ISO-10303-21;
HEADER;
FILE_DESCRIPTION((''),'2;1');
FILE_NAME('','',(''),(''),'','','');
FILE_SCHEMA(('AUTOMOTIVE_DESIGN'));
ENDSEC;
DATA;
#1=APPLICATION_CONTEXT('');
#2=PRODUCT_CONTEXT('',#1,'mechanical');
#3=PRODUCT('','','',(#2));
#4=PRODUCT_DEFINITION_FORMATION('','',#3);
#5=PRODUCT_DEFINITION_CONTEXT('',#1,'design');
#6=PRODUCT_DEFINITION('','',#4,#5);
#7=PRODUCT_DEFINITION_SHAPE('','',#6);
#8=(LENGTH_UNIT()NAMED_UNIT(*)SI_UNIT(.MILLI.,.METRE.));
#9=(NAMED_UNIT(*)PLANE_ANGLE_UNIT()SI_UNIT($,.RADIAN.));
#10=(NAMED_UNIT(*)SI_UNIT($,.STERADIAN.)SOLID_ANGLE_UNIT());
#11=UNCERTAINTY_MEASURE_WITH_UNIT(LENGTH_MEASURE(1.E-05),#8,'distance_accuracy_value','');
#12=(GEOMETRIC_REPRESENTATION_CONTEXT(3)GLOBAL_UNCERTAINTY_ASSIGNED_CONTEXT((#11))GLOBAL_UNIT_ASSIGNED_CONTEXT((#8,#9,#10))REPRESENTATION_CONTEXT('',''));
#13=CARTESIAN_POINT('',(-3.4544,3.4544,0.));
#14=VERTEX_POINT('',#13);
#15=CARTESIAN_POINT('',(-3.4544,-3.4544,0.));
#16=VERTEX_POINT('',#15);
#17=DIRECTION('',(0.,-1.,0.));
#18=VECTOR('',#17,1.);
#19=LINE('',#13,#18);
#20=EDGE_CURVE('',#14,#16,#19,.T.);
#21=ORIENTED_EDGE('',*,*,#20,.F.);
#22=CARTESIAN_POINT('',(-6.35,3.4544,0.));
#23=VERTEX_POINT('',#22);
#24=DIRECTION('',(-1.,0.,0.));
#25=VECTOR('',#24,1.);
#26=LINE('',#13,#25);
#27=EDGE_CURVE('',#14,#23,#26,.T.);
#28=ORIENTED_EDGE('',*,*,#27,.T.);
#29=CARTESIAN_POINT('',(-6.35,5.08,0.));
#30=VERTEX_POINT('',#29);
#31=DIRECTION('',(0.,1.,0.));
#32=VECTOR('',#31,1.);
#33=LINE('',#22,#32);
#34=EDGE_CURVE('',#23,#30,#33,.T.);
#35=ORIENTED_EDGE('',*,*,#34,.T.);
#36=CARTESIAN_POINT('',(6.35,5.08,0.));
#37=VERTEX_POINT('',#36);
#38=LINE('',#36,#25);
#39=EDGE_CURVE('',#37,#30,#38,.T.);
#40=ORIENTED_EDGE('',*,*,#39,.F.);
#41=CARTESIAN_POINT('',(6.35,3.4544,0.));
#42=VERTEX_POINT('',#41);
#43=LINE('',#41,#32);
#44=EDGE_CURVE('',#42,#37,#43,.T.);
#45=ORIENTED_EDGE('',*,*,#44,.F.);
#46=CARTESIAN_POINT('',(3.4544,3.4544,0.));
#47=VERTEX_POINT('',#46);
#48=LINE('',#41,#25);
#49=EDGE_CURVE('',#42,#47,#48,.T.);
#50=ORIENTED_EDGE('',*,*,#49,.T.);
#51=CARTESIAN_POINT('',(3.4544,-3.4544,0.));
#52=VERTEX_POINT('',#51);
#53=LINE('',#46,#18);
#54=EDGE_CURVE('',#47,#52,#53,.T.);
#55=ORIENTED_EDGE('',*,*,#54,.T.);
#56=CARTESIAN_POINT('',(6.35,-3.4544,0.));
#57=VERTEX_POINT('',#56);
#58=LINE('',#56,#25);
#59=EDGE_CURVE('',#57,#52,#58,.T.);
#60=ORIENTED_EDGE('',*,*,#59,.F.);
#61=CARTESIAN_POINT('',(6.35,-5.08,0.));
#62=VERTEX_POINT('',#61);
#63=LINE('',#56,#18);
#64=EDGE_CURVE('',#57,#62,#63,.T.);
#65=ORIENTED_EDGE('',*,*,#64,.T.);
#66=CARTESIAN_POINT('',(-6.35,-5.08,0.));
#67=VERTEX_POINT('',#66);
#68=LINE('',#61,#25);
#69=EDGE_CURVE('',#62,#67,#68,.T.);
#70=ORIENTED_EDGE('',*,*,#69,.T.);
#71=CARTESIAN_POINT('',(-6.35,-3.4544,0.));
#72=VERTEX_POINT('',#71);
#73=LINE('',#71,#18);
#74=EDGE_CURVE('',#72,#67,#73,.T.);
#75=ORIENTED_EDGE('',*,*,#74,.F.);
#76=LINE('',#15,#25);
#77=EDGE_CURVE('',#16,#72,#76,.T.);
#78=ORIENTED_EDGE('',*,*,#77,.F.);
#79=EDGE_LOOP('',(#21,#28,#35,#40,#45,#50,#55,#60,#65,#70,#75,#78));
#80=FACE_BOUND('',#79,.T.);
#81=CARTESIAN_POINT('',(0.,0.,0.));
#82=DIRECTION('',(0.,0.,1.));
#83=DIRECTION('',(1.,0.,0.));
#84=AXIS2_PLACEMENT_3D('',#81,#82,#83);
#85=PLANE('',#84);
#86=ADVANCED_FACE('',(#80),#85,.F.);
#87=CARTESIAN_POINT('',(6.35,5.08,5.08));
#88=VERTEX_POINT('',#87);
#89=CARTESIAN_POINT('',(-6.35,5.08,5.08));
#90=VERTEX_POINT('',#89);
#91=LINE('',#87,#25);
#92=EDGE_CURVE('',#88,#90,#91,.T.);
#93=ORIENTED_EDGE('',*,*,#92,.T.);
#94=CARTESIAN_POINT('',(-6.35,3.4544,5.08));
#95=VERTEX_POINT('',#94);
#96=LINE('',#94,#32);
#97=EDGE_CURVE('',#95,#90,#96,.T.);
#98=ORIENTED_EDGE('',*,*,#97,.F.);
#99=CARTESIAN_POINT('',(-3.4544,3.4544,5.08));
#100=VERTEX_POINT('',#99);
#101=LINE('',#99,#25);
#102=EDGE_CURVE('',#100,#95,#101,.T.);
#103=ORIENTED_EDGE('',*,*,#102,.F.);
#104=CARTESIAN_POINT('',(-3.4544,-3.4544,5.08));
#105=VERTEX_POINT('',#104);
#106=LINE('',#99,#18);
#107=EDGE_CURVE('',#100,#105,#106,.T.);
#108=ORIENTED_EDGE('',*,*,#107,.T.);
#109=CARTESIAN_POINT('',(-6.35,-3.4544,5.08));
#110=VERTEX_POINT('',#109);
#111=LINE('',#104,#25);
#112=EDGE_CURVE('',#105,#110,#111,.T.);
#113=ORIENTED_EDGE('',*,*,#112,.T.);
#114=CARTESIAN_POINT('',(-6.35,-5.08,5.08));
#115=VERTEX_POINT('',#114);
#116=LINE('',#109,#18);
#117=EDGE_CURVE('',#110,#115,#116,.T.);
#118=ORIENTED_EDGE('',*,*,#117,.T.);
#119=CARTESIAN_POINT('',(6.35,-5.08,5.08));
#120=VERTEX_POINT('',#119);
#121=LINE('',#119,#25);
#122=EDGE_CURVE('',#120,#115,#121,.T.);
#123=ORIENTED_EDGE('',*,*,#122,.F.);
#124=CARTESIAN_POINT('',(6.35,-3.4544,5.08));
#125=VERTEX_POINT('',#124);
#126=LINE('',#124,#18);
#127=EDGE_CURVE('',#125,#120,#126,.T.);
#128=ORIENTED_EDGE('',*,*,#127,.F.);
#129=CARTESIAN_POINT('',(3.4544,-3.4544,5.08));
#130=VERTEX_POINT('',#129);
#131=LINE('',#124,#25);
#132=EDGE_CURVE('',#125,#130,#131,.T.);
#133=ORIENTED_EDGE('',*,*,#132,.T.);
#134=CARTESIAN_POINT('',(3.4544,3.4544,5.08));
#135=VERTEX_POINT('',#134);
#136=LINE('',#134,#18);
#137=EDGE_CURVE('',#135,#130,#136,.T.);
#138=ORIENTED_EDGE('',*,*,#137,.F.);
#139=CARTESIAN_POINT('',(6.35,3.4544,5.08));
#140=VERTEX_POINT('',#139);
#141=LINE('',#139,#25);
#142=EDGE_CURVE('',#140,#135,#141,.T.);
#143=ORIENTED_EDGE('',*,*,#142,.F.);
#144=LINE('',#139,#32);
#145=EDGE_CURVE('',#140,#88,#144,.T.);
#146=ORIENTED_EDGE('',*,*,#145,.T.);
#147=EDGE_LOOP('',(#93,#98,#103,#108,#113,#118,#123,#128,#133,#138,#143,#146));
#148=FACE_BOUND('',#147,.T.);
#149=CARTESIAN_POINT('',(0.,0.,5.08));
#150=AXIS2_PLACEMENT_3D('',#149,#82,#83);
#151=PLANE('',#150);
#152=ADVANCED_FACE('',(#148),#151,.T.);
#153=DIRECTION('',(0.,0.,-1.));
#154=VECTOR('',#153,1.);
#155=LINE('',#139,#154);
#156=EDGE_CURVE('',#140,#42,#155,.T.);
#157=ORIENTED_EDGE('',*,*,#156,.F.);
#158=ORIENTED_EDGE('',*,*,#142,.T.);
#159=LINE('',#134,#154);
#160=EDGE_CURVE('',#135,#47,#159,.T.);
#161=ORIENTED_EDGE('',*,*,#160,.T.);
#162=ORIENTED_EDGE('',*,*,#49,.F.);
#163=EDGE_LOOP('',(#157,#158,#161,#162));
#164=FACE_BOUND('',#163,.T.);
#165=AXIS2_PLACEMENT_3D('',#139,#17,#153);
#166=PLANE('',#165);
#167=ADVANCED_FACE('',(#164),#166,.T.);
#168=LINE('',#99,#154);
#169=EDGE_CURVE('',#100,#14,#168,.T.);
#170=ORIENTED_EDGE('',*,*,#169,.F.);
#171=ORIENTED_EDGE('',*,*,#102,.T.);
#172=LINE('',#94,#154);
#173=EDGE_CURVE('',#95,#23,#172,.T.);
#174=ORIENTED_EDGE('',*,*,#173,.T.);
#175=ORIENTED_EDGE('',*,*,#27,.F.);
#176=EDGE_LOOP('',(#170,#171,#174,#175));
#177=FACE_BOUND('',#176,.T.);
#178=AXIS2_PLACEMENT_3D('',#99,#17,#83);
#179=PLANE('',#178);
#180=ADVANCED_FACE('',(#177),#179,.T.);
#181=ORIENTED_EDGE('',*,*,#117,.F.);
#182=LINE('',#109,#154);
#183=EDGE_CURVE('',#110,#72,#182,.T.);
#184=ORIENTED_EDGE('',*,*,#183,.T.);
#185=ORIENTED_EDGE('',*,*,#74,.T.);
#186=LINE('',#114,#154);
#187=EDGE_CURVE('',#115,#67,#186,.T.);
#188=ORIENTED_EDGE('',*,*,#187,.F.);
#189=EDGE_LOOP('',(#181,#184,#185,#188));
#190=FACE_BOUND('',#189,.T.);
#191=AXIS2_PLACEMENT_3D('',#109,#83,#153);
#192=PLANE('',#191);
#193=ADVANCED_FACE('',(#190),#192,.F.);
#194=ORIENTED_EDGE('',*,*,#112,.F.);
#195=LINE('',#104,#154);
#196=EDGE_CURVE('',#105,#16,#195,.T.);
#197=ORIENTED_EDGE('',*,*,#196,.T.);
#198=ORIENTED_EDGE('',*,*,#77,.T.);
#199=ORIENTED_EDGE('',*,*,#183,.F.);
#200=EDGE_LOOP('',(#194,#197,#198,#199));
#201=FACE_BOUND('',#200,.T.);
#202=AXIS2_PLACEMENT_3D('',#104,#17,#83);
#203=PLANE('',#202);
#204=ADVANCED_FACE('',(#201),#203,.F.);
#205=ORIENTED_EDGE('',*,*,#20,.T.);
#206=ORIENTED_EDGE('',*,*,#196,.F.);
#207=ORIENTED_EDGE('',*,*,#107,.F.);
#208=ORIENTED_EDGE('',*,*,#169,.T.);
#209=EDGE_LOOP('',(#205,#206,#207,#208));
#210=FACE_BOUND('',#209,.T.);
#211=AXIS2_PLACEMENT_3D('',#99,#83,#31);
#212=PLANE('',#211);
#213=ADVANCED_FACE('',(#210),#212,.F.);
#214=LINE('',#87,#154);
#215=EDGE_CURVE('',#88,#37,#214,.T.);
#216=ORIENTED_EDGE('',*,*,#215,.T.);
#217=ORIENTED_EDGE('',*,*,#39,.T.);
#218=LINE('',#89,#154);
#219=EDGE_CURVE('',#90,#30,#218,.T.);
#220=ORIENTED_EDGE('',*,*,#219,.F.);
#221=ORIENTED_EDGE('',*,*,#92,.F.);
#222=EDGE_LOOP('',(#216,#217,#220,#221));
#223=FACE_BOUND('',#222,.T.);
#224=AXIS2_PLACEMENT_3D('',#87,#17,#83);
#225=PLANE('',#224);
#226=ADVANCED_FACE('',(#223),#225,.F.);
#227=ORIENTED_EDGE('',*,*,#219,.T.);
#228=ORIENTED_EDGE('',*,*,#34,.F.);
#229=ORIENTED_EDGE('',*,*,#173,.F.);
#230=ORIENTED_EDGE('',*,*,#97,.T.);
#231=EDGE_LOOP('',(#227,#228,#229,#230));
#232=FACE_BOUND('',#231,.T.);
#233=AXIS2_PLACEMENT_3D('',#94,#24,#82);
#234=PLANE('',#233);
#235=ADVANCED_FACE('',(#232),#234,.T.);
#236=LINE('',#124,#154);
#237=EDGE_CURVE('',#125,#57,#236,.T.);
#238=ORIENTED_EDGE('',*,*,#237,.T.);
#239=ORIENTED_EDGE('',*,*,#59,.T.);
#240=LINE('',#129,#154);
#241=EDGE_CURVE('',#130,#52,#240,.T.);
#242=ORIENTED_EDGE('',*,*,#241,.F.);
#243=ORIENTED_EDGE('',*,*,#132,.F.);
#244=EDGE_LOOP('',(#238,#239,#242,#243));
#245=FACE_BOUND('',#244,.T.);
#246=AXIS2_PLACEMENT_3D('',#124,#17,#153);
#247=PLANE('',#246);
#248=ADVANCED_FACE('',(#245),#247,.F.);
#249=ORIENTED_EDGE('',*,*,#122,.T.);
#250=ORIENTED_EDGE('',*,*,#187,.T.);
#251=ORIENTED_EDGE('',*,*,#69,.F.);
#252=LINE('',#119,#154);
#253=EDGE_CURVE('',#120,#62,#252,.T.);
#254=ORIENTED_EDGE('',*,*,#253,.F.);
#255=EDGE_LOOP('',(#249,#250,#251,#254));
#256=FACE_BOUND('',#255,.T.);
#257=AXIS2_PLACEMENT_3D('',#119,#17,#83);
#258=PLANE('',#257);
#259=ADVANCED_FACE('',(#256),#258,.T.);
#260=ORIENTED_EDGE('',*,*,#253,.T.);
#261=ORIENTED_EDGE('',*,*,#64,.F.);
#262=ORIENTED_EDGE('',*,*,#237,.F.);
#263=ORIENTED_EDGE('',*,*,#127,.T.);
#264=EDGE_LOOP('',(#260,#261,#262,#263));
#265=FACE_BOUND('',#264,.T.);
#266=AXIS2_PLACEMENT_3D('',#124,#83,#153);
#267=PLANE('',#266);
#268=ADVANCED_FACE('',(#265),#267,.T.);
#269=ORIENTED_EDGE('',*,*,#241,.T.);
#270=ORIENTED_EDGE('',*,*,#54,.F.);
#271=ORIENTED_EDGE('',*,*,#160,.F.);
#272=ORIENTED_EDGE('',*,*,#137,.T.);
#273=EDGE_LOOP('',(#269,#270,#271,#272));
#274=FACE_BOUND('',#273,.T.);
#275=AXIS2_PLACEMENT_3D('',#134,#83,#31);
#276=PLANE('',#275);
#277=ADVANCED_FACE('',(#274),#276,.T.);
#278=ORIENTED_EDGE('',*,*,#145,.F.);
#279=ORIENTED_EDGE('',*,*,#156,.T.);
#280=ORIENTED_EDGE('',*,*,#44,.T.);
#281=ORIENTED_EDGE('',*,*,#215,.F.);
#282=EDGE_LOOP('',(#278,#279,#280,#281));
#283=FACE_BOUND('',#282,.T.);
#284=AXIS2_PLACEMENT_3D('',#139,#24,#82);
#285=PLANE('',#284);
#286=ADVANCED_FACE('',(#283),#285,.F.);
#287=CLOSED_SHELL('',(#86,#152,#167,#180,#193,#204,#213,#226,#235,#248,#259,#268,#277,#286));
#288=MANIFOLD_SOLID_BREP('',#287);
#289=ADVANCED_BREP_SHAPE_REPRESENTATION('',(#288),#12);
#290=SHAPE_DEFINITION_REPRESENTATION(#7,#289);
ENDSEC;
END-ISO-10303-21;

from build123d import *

# Parameters (mm, degrees)
BOSS_EXTRUDE1_DEPTH = 5.08


with BuildPart() as part:
    # Sketch1 → Boss-Extrude1 (new body)
    with BuildSketch(Plane.XY):
        Polygon((-3.4544, 3.4544), (-3.4544, -3.4544), (-6.35, -3.4544), (-6.35, -5.08), (6.35, -5.08), (6.35, -3.4544), (3.4544, -3.4544), (3.4544, 3.4544), (6.35, 3.4544), (6.35, 5.08), (-6.35, 5.08), (-6.35, 3.4544), align=None)
    extrude(amount=BOSS_EXTRUDE1_DEPTH)


solid = part.part
